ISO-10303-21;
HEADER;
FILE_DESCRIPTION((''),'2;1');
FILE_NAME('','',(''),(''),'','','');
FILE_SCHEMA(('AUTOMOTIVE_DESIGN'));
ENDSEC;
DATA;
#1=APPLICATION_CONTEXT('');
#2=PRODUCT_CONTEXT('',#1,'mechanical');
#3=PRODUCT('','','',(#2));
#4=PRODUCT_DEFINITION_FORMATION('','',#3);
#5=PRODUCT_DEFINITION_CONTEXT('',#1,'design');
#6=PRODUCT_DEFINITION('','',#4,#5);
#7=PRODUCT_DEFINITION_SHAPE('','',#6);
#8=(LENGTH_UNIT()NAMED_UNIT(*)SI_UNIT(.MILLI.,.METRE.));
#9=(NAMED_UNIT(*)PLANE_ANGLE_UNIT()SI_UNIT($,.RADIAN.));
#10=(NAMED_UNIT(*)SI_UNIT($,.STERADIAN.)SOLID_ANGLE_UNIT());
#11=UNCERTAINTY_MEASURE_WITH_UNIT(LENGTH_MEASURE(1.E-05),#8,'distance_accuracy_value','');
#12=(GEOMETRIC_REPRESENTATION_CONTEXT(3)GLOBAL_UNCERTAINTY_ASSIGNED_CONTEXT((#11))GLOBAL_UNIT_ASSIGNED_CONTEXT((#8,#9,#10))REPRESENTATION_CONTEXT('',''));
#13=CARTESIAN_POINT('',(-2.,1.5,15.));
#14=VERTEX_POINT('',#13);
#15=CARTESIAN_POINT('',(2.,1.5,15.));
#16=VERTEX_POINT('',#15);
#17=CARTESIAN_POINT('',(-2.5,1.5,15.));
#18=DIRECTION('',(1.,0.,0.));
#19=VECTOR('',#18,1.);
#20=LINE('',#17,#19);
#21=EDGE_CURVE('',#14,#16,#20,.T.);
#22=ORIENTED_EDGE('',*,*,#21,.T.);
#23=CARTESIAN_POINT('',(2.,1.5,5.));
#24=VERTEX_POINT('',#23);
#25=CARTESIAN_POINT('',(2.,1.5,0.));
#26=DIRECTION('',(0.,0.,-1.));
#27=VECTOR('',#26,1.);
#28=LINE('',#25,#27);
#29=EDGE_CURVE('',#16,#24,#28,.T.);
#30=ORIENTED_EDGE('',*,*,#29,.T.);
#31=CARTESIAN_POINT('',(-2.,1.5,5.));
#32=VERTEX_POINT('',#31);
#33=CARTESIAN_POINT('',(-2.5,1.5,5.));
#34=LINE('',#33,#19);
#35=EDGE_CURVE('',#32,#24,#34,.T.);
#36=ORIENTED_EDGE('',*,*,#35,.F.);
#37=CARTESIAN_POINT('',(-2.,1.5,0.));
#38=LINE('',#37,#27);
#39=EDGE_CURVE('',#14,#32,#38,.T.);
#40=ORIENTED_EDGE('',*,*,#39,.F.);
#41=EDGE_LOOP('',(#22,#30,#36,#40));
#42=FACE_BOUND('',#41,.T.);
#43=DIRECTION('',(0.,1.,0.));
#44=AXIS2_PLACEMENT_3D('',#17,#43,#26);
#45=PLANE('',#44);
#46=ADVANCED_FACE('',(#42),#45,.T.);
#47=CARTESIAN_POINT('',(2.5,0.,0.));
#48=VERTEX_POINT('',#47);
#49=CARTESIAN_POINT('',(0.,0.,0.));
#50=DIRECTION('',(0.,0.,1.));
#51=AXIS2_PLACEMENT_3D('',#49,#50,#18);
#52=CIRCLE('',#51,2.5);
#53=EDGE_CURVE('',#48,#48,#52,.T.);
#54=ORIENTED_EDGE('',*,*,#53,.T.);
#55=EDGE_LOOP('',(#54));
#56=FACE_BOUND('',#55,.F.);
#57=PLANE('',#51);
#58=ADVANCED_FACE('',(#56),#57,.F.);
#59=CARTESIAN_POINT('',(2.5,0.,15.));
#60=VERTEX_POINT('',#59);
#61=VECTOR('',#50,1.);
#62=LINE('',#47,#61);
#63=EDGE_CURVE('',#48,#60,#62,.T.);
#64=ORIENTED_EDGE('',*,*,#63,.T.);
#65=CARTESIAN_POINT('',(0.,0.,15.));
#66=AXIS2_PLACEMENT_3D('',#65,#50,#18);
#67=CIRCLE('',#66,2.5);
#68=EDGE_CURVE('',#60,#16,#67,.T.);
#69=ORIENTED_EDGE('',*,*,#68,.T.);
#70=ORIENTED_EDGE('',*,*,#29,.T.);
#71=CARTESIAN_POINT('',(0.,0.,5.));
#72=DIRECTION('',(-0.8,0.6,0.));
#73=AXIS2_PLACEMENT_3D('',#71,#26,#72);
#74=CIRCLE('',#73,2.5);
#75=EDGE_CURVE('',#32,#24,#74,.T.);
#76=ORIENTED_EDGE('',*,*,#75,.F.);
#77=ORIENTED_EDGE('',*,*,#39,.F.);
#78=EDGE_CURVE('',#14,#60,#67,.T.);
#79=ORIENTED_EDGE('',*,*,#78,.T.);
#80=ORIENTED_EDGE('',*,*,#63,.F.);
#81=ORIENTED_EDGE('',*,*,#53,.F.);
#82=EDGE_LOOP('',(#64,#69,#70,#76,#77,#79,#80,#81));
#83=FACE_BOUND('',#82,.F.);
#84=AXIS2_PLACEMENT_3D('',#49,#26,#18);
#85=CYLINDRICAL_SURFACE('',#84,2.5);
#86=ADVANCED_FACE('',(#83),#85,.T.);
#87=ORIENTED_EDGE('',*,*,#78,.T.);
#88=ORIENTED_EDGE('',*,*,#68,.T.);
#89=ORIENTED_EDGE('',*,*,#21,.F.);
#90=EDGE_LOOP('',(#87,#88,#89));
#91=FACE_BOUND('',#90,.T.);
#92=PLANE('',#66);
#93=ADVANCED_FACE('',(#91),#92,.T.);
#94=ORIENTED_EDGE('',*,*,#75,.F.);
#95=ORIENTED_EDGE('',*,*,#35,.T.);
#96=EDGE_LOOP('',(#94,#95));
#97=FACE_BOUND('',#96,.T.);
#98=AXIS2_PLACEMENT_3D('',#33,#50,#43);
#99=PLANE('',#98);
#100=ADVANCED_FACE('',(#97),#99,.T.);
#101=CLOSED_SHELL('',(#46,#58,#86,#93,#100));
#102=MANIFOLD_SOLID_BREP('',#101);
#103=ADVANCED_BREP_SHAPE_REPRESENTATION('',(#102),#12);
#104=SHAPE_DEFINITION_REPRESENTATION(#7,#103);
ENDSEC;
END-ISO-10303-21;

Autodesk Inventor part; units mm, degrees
ref_plane "XZ Plane" through (0, 0, 0) normal (0, 1, 0) x (-1, 0, 0)
ref_plane "XY Plane" through (0, 0, 0) normal (0, 0, 1) x (1, 0, 0)
sketch "Sketch1" plane through (0, 0, 0) normal (0, 0, 1) x (1, 0, 0)
  circle A0 centre (0, 0) radius 2.5
  dimension "d0" = 5
extrude "Extrusion1" add sketch "Sketch1" along normal blind 15
ref_plane "Work Plane2" through (-2.5, 0, 0) normal (1, 0, 0) x (0, 1, 0)
sketch "Sketch2" plane through (-2.5, 0, 0) normal (1, 0, 0) x (0, 1, 0)
  line L0 (2.5, 15) -> (-2.5, 15) projected
  line L1 (2.5, 15) -> (-2.5, 15) projected
  line L2 (-2.5, 0) -> (2.5, 0) projected
  line L3 (2.5, 0) -> (2.5, 15) projected
  line L4 (2.5, 15) -> (1.5, 15)
  line L5 (1.5, 15) -> (1.5, 5)
  line L6 (1.5, 5) -> (2.5, 5)
  line L7 (2.5, 5) -> (2.5, 15)
  point P0 (0, 0)
  dimension "d5" = 1
  dimension "d6" = 10
extrude "Extrusion2" cut sketch "Sketch2" along normal through all
properties part number "Belt encoder shaft"
